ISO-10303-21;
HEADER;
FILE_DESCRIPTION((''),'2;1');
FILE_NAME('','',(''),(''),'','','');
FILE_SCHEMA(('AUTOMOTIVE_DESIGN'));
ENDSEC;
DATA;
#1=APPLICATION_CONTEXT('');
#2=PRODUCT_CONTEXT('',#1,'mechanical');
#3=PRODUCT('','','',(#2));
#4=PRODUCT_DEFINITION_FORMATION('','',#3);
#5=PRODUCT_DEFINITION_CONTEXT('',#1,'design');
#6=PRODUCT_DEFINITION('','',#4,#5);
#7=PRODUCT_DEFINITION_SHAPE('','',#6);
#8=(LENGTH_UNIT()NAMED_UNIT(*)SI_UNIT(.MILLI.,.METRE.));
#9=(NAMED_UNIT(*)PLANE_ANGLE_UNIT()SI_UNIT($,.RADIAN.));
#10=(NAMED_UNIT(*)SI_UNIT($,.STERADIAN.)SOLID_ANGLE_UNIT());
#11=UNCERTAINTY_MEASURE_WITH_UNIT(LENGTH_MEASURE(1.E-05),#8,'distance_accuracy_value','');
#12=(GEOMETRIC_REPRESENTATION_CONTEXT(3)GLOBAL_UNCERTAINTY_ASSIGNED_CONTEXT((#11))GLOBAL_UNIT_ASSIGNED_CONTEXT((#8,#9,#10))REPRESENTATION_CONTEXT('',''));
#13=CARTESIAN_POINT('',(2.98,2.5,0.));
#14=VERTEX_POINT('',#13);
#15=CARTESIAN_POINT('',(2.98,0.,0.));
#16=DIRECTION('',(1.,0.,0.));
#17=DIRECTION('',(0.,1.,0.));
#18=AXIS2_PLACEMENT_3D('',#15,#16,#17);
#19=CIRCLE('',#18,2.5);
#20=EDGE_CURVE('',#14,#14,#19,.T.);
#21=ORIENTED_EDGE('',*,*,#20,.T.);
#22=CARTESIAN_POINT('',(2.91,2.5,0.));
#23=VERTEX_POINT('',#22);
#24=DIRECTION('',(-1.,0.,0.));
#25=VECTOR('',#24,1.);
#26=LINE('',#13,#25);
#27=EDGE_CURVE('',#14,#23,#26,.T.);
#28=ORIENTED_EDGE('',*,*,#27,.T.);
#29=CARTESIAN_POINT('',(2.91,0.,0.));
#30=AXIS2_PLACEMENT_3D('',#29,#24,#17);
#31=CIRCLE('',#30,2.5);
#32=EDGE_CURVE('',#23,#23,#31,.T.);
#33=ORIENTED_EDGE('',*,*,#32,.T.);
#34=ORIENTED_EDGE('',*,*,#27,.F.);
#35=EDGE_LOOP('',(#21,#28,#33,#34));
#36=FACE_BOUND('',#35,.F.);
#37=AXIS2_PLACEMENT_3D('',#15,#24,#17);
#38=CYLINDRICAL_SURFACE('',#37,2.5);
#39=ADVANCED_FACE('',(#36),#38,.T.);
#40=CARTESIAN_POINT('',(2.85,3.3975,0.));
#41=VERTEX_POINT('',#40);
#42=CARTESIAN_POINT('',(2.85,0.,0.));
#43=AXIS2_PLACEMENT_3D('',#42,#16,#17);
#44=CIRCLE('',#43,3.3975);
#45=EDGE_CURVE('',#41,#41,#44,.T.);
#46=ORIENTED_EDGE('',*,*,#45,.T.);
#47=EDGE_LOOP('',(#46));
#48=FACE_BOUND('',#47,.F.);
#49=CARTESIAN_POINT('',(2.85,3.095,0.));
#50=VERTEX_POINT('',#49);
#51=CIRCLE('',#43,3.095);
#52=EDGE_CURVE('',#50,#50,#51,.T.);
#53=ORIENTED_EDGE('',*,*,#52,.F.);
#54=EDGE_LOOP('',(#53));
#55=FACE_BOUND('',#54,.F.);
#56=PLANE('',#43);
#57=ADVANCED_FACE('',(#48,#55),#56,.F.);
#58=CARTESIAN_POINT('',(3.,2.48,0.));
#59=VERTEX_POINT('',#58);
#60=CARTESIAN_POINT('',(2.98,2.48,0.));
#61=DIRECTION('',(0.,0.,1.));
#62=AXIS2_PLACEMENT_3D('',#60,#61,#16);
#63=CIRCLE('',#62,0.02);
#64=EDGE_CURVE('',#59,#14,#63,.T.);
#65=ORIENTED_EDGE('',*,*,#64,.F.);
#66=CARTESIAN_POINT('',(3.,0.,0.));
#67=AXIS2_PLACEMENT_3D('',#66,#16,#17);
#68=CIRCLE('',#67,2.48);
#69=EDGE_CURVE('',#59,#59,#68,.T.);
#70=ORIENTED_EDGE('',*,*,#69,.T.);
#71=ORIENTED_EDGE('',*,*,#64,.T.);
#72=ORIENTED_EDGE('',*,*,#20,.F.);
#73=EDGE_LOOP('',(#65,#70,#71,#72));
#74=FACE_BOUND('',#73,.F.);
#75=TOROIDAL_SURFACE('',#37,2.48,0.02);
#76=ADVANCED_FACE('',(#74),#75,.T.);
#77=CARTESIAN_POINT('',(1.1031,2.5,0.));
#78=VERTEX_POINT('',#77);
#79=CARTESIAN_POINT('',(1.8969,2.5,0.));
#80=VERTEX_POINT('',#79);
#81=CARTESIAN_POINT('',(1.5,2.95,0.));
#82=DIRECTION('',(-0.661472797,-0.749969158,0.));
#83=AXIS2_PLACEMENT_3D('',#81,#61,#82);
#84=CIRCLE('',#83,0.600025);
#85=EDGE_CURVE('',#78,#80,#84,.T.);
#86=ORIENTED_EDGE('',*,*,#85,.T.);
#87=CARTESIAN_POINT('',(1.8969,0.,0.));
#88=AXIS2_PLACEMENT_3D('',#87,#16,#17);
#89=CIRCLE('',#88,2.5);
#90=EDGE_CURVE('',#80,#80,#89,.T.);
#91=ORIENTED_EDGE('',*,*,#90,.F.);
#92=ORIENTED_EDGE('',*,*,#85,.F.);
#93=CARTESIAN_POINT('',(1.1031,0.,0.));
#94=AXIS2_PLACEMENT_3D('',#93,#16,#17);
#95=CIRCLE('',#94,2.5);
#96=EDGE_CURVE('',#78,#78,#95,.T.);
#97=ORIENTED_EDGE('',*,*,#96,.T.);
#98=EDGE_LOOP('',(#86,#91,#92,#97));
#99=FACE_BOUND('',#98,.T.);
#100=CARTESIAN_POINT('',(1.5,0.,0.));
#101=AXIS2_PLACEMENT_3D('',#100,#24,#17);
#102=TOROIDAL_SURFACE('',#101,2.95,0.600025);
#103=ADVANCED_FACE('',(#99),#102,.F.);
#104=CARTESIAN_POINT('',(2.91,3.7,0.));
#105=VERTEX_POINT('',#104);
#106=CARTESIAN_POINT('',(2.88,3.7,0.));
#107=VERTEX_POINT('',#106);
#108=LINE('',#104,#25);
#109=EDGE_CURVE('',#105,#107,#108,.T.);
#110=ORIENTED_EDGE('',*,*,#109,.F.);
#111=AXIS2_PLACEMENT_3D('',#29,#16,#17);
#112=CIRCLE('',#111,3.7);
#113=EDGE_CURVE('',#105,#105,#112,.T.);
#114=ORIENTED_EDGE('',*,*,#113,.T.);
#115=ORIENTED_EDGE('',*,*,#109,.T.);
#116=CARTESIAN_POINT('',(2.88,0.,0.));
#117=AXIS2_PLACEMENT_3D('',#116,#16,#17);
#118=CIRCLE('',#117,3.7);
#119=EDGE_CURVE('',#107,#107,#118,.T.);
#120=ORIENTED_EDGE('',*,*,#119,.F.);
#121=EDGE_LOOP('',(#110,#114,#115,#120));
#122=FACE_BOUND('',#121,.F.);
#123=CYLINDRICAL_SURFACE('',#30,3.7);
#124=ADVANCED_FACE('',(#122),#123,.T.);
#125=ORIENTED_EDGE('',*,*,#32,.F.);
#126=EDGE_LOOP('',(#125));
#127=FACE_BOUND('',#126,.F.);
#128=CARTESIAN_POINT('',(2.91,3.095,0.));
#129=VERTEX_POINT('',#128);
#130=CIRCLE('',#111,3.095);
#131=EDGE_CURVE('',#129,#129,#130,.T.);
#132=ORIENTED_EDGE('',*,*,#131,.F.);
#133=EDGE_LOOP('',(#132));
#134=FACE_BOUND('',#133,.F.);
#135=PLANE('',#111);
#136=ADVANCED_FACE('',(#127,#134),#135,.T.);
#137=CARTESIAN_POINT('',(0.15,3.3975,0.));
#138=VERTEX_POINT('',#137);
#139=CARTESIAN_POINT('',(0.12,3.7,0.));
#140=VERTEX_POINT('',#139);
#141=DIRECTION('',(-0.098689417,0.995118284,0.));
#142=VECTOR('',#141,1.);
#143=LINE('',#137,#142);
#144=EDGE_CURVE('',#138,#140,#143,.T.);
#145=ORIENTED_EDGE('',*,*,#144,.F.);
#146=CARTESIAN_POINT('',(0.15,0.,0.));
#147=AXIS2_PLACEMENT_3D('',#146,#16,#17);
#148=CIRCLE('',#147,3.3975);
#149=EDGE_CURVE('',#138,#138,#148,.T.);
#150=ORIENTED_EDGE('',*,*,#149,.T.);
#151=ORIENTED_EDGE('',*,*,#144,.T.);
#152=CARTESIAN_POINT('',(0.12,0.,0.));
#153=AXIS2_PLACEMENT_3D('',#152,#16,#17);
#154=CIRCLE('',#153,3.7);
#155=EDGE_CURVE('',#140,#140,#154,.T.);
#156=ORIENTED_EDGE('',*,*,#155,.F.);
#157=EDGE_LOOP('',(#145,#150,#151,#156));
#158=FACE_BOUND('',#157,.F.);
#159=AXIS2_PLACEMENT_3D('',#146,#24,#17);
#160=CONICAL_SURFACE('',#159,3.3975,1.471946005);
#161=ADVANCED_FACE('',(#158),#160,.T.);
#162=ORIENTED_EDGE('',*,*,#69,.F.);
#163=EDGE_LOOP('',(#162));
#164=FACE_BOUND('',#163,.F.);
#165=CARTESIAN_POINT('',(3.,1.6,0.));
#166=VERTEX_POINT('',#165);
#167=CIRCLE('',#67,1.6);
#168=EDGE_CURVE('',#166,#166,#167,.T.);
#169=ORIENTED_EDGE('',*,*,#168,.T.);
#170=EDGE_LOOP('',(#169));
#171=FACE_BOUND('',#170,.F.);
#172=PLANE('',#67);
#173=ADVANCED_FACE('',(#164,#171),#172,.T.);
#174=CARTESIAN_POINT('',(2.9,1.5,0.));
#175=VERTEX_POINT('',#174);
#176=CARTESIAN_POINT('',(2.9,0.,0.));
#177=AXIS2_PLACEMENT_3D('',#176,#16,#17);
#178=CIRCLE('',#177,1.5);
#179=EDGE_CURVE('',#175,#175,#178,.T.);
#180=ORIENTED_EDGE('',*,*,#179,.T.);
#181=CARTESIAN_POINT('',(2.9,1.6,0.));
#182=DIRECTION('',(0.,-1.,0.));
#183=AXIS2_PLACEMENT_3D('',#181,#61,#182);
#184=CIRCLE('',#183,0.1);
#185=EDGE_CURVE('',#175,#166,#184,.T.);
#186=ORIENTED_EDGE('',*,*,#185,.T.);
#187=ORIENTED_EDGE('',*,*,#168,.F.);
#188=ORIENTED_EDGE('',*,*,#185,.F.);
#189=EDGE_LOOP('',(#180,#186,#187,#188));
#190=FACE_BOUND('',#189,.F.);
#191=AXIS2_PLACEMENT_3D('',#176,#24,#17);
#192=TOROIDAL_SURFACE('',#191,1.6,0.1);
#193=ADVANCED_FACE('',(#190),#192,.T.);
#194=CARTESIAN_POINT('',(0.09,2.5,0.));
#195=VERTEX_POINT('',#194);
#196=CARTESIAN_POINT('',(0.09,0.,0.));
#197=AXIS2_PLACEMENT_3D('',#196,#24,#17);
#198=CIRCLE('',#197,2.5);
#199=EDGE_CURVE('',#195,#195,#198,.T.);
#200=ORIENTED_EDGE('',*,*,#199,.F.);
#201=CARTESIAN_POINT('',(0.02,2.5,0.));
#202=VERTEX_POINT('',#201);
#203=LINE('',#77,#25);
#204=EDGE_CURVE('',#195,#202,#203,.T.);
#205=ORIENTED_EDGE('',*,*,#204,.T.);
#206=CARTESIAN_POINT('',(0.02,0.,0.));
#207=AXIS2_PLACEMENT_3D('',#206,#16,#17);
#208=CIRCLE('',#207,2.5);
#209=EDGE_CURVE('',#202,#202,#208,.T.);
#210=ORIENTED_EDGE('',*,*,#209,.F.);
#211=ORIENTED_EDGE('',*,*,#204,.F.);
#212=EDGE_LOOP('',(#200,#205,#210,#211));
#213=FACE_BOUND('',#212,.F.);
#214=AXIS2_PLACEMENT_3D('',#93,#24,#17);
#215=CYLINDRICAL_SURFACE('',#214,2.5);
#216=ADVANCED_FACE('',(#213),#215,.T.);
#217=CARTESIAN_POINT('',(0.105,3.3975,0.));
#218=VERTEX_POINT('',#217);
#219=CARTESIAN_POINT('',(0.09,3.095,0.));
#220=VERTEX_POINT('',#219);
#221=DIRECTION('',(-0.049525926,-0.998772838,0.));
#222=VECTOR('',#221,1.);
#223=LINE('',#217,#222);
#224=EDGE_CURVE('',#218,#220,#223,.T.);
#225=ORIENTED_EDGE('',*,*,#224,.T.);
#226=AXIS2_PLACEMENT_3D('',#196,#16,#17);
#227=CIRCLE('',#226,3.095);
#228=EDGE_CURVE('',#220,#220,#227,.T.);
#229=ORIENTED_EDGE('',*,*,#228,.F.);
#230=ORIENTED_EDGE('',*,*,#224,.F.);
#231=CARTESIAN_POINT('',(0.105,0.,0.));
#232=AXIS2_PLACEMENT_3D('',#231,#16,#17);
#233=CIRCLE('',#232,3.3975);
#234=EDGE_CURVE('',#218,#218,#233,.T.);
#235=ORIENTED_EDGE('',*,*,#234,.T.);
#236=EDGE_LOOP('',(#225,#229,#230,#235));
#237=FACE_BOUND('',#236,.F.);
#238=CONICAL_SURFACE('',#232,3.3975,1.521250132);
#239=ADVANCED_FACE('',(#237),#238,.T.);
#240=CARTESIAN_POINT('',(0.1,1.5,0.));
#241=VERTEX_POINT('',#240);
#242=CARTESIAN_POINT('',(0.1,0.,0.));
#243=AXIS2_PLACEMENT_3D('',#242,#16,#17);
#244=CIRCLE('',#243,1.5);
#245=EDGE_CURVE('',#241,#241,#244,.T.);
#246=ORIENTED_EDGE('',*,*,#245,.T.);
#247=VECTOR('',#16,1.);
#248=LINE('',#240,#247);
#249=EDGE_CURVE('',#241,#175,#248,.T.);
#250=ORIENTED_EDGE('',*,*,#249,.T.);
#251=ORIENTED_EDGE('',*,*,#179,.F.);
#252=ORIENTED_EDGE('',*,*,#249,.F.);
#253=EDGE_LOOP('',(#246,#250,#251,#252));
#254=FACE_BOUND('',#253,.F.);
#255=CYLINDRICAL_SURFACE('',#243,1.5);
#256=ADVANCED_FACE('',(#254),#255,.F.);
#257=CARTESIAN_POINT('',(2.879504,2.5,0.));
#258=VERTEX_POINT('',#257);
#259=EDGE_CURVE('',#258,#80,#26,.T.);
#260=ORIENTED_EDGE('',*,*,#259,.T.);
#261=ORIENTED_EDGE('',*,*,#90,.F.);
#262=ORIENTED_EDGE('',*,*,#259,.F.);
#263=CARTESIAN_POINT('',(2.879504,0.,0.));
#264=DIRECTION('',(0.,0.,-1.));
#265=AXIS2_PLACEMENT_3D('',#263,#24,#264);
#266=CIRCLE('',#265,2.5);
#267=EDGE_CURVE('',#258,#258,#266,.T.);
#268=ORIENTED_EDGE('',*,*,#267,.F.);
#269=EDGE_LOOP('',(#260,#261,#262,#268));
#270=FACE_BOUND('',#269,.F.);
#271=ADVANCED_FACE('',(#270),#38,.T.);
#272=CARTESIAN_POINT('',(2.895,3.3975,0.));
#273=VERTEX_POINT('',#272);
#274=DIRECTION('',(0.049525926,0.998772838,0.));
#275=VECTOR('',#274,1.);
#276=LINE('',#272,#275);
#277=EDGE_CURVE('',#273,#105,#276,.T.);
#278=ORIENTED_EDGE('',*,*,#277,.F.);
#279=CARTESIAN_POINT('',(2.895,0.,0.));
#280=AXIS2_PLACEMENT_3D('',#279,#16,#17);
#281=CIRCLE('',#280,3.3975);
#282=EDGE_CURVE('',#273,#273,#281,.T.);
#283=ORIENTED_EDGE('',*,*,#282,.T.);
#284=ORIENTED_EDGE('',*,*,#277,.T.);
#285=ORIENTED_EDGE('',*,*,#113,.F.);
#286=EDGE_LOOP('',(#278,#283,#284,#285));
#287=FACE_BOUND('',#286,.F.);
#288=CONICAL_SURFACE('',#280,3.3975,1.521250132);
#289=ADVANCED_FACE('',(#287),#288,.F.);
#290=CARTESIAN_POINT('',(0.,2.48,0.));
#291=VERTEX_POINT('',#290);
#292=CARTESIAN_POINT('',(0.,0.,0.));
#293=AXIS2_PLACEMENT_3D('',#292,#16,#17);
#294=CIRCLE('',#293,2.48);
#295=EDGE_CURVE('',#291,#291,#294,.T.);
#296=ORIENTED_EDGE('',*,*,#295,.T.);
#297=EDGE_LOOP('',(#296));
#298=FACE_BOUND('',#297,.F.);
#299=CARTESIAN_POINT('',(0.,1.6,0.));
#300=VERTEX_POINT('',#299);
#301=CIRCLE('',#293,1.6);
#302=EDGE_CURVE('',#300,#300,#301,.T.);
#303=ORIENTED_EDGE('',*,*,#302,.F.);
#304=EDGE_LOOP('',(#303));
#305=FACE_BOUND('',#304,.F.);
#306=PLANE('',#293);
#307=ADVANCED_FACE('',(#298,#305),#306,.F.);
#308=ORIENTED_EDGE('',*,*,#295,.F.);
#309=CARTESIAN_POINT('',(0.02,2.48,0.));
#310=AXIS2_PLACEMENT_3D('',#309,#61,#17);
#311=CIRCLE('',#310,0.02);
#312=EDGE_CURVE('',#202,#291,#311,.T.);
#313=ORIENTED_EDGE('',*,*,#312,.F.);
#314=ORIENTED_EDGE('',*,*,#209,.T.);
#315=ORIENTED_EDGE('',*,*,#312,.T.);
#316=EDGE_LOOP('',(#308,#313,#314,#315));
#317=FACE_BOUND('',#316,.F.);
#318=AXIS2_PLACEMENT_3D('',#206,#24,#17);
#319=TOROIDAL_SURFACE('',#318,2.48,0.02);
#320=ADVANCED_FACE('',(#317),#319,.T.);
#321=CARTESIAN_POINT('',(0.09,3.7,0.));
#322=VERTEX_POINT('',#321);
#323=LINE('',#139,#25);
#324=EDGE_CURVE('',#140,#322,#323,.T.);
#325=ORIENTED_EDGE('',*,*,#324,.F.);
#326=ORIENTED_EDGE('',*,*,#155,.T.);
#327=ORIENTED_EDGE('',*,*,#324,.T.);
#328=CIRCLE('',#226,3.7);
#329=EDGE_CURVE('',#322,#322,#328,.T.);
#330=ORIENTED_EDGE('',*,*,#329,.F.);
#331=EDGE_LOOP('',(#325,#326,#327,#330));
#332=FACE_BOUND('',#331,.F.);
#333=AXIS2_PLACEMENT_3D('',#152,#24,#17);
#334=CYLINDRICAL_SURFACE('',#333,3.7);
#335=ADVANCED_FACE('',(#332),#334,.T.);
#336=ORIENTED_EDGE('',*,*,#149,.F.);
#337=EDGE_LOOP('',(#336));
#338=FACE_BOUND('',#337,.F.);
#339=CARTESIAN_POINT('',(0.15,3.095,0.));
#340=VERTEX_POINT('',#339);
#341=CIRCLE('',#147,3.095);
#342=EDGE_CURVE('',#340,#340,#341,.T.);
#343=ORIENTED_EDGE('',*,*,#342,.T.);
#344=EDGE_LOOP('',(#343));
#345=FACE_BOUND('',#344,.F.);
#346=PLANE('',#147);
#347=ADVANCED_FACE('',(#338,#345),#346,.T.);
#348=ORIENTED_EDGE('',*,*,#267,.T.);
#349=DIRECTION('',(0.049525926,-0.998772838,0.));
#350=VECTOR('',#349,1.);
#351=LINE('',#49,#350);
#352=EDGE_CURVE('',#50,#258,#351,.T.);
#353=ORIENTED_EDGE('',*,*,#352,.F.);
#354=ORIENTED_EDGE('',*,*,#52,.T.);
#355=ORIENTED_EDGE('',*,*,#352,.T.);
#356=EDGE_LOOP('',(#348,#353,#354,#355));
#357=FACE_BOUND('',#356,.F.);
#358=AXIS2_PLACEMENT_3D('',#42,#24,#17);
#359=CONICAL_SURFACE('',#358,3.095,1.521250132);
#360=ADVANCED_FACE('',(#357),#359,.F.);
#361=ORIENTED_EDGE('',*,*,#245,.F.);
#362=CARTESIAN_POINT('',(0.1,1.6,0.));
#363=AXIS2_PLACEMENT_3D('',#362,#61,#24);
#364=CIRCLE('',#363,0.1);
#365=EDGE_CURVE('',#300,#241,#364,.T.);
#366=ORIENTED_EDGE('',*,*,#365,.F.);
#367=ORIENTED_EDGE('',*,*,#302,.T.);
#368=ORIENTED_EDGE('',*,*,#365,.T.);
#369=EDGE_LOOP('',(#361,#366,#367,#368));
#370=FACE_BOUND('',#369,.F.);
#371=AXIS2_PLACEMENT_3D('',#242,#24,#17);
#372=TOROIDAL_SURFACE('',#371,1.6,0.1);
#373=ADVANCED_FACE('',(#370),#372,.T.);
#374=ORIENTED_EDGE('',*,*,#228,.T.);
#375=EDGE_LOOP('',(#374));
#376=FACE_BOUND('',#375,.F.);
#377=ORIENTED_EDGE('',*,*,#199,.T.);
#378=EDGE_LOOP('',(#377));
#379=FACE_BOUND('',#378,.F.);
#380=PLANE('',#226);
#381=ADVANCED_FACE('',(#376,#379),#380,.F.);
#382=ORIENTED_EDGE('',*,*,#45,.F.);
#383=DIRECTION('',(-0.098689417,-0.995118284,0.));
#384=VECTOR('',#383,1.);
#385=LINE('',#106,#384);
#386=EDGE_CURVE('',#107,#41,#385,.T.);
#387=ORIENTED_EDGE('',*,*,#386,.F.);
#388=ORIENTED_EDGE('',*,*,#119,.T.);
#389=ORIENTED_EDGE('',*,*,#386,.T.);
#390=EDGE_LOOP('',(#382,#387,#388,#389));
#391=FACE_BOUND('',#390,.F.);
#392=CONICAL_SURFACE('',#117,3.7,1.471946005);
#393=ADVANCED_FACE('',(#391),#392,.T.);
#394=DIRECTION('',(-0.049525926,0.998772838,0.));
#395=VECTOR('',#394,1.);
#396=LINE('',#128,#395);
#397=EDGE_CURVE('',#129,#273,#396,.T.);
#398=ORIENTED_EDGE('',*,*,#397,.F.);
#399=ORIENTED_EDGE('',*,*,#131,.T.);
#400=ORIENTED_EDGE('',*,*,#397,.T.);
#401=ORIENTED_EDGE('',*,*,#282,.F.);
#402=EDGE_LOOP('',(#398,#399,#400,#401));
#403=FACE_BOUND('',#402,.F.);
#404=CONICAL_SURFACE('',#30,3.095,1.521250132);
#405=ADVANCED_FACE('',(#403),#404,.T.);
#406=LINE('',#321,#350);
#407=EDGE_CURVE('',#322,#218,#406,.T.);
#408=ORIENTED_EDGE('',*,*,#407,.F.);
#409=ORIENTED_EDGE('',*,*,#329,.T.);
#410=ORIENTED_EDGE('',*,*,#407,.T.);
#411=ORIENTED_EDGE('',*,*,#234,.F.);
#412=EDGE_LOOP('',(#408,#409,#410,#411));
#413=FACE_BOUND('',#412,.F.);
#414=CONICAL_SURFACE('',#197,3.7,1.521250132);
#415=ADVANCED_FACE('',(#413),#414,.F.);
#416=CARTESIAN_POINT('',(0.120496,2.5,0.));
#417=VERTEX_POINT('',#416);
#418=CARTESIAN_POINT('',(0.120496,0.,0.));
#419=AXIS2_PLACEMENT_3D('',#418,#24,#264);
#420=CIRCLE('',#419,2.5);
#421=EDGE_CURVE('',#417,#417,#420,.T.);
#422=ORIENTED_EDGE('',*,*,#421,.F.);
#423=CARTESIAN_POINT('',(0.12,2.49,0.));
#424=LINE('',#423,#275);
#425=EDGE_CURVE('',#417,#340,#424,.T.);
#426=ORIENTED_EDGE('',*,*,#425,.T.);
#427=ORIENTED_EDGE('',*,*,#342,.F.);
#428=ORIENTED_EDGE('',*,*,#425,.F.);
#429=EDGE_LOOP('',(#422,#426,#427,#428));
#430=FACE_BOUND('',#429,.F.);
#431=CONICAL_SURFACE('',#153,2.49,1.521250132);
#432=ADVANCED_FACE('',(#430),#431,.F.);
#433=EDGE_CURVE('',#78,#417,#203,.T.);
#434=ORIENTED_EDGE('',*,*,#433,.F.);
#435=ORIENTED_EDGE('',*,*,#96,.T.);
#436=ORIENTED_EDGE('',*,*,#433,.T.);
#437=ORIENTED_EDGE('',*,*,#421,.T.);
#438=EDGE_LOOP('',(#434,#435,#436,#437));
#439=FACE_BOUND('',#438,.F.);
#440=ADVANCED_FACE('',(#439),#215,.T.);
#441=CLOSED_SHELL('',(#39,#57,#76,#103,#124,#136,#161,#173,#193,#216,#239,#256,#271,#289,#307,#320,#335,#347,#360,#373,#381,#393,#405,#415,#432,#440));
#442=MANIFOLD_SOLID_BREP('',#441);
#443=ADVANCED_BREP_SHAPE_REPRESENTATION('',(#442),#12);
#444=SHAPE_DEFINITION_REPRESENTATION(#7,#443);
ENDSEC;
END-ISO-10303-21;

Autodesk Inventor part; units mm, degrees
ref_plane "YZ Plane" through (0, 0, 0) normal (1, 0, 0) x (0, 1, 0)
ref_plane "XZ Plane" through (0, 0, 0) normal (0, 1, 0) x (-1, 0, 0)
ref_plane "XY Plane" through (0, 0, 0) normal (0, 0, 1) x (1, 0, 0)
sketch "Sketch_17" plane through (0, 0, 0) normal (0, 0, 1) x (1, 0, 0)
  line L0 (50, 0) -> (-50, 0)
  line L1 (0, 2.48) -> (0, 1.6)
  arc A0 (0, 1.6) -> (0.1, 1.5) centre (0.1, 1.6) ccw
  line L2 (0.1, 1.5) -> (2.9, 1.5)
  arc A1 (2.9, 1.5) -> (3, 1.6) centre (2.9, 1.6) ccw
  line L3 (3, 1.6) -> (3, 2.48)
  arc A2 (3, 2.48) -> (2.98, 2.5) centre (2.98, 2.48) ccw
  line L4 (2.98, 2.5) -> (1.8969, 2.5)
  arc A3 (1.1031, 2.5) -> (1.8969, 2.5) centre (1.5, 2.95) ccw
  line L5 (1.1031, 2.5) -> (0.02, 2.5)
  arc A4 (0.02, 2.5) -> (0, 2.48) centre (0.02, 2.48) ccw
revolve "Revolution1" add sketch "Sketch_17" angle 360 about axis through (50, 0, 0) along (1, 0, 0)
sketch "Sketch_20" plane through (0, 0, 0) normal (0, 0, 1) x (1, 0, 0)
  line L0 (50, 0) -> (-50, 0)
  line L1 (0.09, 3.7) -> (0.105, 3.3975)
  line L2 (0.105, 3.3975) -> (0.09, 3.095)
  line L3 (0.09, 3.095) -> (0.09, 2.49)
  line L4 (0.09, 2.49) -> (0.12, 2.49)
  line L5 (0.12, 2.49) -> (0.15, 3.095)
  line L6 (0.15, 3.095) -> (0.15, 3.3975)
  line L7 (0.15, 3.3975) -> (0.12, 3.7)
  line L8 (0.12, 3.7) -> (0.09, 3.7)
revolve "Revolution2" add sketch "Sketch_20" angle 360 about axis through (50, 0, 0) along (1, 0, 0)
sketch "Sketch_21" plane through (0, 0, 0) normal (0, 0, 1) x (1, 0, 0)
  line L0 (50, 0) -> (-50, 0)
  line L1 (2.85, 3.3975) -> (2.85, 3.095)
  line L2 (2.85, 3.095) -> (2.88, 2.49)
  line L3 (2.88, 2.49) -> (2.91, 2.49)
  line L4 (2.91, 2.49) -> (2.91, 3.095)
  line L5 (2.91, 3.095) -> (2.895, 3.3975)
  line L6 (2.895, 3.3975) -> (2.91, 3.7)
  line L7 (2.91, 3.7) -> (2.88, 3.7)
  line L8 (2.88, 3.7) -> (2.85, 3.3975)
revolve "Revolution3" add sketch "Sketch_21" angle 360 about axis through (50, 0, 0) along (1, 0, 0)
properties part number "W 619/3-2Z_PART1"
